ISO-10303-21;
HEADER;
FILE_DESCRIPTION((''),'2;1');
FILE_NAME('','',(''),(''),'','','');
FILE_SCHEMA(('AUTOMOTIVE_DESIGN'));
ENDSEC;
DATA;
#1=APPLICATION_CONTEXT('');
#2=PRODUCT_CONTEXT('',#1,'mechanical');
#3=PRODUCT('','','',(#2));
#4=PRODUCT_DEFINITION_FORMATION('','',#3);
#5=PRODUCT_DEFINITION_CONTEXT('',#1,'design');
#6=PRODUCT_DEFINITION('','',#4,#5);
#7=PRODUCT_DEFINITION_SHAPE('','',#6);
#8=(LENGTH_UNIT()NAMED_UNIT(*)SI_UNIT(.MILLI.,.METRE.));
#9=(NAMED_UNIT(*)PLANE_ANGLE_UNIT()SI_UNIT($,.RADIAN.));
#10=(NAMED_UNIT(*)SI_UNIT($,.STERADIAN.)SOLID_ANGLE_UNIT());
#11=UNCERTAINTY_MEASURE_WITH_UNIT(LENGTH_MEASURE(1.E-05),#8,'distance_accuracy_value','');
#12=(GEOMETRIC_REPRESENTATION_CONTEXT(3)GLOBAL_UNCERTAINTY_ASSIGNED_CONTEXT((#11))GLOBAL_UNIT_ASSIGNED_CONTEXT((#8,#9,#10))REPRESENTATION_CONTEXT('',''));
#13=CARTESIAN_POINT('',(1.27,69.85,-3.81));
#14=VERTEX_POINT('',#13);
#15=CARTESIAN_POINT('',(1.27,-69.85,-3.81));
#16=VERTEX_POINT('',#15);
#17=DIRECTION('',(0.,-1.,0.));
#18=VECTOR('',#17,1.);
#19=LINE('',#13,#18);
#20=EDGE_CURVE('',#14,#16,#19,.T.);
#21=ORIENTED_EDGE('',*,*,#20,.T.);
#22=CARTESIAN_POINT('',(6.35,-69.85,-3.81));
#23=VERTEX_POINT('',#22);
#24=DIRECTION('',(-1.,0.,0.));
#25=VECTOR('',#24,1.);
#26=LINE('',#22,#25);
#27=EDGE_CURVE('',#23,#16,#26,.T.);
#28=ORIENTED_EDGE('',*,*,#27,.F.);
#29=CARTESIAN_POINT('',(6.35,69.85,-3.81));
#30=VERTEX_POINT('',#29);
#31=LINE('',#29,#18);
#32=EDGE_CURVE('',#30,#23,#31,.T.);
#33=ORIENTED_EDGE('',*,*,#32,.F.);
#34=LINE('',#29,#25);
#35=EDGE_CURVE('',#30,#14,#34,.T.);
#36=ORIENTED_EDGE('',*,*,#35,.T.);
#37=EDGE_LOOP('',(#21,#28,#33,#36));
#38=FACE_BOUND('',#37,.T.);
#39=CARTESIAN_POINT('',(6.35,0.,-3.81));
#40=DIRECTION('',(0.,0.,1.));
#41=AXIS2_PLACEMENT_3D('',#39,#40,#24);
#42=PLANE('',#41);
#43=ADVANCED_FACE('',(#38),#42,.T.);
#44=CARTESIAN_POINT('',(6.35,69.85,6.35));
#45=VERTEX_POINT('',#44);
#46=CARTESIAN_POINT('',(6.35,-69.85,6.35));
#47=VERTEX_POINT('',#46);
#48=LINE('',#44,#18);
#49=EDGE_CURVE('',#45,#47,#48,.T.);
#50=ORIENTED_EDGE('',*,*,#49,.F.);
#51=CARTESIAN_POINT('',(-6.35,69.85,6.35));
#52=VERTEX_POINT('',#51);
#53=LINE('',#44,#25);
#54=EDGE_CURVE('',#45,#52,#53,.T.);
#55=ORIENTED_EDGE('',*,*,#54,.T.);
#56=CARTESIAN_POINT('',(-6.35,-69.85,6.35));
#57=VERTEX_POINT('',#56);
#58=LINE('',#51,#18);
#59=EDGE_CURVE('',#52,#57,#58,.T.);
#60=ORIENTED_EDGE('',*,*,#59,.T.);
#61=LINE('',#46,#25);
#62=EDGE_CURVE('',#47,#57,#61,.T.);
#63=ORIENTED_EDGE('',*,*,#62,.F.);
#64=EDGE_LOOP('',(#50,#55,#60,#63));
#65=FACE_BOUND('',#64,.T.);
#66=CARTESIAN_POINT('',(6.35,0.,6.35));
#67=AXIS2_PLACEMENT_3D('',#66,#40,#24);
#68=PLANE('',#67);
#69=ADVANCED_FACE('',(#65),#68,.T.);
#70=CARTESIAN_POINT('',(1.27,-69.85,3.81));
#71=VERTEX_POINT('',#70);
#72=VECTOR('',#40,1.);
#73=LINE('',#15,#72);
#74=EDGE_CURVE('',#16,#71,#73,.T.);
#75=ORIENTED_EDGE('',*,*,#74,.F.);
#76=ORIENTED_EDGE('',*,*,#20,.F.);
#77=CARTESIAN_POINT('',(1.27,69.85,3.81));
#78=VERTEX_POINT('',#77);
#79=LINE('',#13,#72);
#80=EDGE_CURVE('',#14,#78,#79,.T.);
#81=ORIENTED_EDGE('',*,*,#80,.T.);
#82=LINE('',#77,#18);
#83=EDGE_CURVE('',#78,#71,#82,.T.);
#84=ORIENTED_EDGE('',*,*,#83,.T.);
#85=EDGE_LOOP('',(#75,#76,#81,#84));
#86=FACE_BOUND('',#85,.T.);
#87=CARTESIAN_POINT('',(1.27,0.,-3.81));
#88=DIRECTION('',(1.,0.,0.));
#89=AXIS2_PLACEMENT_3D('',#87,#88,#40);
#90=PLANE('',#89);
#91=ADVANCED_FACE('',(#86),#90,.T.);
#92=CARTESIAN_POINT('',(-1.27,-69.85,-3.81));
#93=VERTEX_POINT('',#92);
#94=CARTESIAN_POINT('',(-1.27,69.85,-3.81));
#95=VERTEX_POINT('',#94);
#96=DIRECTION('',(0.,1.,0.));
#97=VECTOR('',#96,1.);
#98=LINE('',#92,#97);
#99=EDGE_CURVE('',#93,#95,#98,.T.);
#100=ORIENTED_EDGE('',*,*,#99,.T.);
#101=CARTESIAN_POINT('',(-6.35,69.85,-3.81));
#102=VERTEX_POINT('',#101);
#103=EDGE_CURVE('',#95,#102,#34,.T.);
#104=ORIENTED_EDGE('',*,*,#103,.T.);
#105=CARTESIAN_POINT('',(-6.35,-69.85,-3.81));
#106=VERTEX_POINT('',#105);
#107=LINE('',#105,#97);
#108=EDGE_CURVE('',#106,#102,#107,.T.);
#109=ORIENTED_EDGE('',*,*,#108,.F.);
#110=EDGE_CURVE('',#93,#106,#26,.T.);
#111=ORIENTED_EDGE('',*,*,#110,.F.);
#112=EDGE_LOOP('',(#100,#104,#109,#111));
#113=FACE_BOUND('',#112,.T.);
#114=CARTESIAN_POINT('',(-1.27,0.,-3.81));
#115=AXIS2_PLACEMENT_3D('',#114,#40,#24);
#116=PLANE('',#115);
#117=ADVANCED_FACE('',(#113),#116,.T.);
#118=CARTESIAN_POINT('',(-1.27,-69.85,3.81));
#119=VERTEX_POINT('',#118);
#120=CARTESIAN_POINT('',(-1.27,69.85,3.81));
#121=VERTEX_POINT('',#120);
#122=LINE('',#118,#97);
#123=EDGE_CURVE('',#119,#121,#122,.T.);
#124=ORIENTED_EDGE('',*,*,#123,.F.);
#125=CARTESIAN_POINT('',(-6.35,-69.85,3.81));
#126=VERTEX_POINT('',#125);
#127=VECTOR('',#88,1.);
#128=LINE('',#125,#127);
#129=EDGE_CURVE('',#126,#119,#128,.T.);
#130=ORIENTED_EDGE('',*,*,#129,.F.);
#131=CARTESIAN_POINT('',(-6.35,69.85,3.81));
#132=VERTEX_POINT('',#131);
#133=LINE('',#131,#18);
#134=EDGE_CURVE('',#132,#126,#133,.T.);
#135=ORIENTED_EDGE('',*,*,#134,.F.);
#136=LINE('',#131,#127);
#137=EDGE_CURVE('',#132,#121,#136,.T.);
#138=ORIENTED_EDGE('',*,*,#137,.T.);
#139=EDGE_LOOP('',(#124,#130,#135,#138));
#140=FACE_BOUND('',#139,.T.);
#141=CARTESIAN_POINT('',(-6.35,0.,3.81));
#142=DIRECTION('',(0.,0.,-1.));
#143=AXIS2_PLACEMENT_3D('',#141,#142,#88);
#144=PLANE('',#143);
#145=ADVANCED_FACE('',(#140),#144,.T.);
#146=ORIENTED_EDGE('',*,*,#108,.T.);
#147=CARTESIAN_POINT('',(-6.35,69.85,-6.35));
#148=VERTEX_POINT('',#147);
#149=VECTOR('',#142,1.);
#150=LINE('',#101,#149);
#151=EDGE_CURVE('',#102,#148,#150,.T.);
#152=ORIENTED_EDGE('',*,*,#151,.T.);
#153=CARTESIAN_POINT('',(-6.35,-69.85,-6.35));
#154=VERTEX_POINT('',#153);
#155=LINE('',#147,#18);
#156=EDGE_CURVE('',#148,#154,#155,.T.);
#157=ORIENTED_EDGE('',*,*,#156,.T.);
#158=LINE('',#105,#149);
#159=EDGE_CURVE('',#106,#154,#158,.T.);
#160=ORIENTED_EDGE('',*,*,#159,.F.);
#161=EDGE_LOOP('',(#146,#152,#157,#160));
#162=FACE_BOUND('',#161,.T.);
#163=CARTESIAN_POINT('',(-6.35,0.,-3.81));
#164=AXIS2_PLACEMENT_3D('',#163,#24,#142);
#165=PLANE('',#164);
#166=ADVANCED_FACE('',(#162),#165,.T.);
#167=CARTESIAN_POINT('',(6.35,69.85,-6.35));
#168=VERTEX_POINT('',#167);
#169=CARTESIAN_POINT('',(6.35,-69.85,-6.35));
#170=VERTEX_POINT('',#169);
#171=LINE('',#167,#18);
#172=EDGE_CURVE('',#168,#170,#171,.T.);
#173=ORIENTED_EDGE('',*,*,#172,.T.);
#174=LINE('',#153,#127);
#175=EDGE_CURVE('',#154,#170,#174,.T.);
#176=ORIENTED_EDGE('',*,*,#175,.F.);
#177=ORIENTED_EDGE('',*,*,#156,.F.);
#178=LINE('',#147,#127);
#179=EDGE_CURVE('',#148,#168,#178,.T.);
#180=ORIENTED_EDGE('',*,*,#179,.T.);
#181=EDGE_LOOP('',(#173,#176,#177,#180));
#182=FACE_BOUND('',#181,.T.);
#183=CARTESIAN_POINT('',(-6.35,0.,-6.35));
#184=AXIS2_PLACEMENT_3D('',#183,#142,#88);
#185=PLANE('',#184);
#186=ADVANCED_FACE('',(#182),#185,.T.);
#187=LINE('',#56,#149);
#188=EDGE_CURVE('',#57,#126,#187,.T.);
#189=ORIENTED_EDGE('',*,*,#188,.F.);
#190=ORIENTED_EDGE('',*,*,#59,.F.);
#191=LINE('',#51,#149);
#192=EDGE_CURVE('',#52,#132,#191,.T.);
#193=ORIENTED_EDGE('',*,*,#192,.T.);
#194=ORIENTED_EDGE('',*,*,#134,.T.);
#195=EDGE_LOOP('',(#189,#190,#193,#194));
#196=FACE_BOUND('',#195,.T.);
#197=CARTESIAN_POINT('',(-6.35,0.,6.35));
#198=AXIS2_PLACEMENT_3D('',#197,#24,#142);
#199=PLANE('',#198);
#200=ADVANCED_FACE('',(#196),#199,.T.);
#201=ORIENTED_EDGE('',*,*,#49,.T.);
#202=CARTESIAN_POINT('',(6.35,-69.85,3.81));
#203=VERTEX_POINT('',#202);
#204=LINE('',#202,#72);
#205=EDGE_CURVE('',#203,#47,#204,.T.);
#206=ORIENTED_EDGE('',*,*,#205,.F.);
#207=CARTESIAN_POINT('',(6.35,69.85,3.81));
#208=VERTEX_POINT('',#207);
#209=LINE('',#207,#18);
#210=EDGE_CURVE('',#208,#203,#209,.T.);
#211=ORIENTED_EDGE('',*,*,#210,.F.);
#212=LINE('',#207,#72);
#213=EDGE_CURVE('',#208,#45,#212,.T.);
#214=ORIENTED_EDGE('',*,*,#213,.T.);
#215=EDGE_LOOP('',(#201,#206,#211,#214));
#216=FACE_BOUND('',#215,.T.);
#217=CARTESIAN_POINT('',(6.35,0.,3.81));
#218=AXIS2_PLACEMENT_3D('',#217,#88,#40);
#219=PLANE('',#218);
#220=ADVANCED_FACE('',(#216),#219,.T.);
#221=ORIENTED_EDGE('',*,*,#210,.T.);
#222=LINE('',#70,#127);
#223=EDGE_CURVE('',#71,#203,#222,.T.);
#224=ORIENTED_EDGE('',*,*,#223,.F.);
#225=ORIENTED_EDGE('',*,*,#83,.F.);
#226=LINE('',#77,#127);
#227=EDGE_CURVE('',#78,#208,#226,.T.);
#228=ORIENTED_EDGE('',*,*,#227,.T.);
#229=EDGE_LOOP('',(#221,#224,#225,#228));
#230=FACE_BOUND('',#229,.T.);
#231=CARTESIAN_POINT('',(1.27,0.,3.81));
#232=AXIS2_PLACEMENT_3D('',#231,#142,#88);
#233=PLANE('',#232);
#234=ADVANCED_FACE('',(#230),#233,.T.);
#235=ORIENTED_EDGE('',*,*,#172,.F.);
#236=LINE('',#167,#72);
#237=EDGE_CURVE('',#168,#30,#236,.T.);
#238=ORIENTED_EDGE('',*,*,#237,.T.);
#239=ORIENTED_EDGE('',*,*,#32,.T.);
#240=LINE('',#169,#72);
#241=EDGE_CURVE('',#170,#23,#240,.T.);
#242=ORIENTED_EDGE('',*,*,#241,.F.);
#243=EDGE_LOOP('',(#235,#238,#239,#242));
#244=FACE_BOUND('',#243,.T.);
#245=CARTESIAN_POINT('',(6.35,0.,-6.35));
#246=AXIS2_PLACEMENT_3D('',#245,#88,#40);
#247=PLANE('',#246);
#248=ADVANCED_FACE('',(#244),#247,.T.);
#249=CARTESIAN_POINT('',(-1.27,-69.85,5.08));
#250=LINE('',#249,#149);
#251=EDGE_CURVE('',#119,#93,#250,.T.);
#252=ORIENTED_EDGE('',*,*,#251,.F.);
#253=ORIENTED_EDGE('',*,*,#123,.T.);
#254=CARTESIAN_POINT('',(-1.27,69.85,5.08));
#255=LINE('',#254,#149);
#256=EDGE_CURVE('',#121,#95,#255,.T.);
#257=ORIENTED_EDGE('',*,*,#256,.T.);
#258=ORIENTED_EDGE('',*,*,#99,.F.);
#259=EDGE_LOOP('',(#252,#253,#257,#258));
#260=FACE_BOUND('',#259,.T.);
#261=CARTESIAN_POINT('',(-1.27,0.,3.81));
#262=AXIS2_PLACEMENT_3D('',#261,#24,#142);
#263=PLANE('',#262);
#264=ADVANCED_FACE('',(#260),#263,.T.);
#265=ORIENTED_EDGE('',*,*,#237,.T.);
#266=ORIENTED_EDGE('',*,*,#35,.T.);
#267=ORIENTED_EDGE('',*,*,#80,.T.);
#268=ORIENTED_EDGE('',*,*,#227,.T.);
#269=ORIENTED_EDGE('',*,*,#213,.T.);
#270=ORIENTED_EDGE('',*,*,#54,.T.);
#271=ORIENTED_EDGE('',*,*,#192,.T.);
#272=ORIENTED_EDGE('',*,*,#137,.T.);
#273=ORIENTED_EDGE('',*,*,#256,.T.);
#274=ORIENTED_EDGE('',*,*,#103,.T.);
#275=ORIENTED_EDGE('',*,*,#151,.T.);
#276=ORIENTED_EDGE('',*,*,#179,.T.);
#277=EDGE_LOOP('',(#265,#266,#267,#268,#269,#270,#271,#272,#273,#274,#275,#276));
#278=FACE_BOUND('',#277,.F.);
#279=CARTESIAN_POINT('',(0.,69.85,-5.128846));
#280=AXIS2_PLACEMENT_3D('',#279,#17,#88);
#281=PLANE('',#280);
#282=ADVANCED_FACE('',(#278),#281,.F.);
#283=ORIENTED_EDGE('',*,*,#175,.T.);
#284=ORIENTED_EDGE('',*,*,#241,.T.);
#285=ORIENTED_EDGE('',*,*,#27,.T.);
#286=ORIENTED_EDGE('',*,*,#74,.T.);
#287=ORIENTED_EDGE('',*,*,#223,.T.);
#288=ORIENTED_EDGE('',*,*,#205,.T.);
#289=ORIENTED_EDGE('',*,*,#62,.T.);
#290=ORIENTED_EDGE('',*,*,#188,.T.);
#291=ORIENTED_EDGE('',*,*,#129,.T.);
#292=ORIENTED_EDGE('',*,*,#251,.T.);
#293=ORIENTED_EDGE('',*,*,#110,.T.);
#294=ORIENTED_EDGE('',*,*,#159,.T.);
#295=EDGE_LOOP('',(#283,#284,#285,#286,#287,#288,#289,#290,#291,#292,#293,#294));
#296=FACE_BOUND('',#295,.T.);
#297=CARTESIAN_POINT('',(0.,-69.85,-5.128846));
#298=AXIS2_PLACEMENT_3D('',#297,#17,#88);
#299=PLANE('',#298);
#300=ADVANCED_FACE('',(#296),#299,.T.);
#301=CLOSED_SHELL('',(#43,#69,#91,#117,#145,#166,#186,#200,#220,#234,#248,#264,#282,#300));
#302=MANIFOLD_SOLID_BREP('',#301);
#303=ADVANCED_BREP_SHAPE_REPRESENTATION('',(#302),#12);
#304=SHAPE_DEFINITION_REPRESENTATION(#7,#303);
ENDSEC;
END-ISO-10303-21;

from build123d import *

# Parameters (mm, degrees)
F0_W     = 2.54
F0_H     = 1.27
F0_H_2   = 7.62
F1_DEPTH = 69.85


with BuildPart() as f1:
    # F0 (on Front) → F1 (new body, symmetric)
    with BuildSketch(Plane.XZ):
        Polygon((1.27, -3.81), (1.27, -5.08), (-1.27, -5.08), (-1.27, -3.81), (-6.35, -3.81), (-6.35, -6.35), (6.35, -6.35), (6.35, -3.81), align=None)
        with Locations((0, -4.445)):
            Rectangle(F0_W, F0_H)
        with Locations((0, 4.445)):
            Rectangle(F0_W, F0_H)
        Rectangle(F0_W, F0_H_2)
        Polygon((1.27, 5.08), (1.27, 3.81), (6.35, 3.81), (6.35, 6.35), (-6.35, 6.35), (-6.35, 3.81), (-1.27, 3.81), (-1.27, 5.08), align=None)
    extrude(amount=F1_DEPTH, both=True)


solid = f1.part
